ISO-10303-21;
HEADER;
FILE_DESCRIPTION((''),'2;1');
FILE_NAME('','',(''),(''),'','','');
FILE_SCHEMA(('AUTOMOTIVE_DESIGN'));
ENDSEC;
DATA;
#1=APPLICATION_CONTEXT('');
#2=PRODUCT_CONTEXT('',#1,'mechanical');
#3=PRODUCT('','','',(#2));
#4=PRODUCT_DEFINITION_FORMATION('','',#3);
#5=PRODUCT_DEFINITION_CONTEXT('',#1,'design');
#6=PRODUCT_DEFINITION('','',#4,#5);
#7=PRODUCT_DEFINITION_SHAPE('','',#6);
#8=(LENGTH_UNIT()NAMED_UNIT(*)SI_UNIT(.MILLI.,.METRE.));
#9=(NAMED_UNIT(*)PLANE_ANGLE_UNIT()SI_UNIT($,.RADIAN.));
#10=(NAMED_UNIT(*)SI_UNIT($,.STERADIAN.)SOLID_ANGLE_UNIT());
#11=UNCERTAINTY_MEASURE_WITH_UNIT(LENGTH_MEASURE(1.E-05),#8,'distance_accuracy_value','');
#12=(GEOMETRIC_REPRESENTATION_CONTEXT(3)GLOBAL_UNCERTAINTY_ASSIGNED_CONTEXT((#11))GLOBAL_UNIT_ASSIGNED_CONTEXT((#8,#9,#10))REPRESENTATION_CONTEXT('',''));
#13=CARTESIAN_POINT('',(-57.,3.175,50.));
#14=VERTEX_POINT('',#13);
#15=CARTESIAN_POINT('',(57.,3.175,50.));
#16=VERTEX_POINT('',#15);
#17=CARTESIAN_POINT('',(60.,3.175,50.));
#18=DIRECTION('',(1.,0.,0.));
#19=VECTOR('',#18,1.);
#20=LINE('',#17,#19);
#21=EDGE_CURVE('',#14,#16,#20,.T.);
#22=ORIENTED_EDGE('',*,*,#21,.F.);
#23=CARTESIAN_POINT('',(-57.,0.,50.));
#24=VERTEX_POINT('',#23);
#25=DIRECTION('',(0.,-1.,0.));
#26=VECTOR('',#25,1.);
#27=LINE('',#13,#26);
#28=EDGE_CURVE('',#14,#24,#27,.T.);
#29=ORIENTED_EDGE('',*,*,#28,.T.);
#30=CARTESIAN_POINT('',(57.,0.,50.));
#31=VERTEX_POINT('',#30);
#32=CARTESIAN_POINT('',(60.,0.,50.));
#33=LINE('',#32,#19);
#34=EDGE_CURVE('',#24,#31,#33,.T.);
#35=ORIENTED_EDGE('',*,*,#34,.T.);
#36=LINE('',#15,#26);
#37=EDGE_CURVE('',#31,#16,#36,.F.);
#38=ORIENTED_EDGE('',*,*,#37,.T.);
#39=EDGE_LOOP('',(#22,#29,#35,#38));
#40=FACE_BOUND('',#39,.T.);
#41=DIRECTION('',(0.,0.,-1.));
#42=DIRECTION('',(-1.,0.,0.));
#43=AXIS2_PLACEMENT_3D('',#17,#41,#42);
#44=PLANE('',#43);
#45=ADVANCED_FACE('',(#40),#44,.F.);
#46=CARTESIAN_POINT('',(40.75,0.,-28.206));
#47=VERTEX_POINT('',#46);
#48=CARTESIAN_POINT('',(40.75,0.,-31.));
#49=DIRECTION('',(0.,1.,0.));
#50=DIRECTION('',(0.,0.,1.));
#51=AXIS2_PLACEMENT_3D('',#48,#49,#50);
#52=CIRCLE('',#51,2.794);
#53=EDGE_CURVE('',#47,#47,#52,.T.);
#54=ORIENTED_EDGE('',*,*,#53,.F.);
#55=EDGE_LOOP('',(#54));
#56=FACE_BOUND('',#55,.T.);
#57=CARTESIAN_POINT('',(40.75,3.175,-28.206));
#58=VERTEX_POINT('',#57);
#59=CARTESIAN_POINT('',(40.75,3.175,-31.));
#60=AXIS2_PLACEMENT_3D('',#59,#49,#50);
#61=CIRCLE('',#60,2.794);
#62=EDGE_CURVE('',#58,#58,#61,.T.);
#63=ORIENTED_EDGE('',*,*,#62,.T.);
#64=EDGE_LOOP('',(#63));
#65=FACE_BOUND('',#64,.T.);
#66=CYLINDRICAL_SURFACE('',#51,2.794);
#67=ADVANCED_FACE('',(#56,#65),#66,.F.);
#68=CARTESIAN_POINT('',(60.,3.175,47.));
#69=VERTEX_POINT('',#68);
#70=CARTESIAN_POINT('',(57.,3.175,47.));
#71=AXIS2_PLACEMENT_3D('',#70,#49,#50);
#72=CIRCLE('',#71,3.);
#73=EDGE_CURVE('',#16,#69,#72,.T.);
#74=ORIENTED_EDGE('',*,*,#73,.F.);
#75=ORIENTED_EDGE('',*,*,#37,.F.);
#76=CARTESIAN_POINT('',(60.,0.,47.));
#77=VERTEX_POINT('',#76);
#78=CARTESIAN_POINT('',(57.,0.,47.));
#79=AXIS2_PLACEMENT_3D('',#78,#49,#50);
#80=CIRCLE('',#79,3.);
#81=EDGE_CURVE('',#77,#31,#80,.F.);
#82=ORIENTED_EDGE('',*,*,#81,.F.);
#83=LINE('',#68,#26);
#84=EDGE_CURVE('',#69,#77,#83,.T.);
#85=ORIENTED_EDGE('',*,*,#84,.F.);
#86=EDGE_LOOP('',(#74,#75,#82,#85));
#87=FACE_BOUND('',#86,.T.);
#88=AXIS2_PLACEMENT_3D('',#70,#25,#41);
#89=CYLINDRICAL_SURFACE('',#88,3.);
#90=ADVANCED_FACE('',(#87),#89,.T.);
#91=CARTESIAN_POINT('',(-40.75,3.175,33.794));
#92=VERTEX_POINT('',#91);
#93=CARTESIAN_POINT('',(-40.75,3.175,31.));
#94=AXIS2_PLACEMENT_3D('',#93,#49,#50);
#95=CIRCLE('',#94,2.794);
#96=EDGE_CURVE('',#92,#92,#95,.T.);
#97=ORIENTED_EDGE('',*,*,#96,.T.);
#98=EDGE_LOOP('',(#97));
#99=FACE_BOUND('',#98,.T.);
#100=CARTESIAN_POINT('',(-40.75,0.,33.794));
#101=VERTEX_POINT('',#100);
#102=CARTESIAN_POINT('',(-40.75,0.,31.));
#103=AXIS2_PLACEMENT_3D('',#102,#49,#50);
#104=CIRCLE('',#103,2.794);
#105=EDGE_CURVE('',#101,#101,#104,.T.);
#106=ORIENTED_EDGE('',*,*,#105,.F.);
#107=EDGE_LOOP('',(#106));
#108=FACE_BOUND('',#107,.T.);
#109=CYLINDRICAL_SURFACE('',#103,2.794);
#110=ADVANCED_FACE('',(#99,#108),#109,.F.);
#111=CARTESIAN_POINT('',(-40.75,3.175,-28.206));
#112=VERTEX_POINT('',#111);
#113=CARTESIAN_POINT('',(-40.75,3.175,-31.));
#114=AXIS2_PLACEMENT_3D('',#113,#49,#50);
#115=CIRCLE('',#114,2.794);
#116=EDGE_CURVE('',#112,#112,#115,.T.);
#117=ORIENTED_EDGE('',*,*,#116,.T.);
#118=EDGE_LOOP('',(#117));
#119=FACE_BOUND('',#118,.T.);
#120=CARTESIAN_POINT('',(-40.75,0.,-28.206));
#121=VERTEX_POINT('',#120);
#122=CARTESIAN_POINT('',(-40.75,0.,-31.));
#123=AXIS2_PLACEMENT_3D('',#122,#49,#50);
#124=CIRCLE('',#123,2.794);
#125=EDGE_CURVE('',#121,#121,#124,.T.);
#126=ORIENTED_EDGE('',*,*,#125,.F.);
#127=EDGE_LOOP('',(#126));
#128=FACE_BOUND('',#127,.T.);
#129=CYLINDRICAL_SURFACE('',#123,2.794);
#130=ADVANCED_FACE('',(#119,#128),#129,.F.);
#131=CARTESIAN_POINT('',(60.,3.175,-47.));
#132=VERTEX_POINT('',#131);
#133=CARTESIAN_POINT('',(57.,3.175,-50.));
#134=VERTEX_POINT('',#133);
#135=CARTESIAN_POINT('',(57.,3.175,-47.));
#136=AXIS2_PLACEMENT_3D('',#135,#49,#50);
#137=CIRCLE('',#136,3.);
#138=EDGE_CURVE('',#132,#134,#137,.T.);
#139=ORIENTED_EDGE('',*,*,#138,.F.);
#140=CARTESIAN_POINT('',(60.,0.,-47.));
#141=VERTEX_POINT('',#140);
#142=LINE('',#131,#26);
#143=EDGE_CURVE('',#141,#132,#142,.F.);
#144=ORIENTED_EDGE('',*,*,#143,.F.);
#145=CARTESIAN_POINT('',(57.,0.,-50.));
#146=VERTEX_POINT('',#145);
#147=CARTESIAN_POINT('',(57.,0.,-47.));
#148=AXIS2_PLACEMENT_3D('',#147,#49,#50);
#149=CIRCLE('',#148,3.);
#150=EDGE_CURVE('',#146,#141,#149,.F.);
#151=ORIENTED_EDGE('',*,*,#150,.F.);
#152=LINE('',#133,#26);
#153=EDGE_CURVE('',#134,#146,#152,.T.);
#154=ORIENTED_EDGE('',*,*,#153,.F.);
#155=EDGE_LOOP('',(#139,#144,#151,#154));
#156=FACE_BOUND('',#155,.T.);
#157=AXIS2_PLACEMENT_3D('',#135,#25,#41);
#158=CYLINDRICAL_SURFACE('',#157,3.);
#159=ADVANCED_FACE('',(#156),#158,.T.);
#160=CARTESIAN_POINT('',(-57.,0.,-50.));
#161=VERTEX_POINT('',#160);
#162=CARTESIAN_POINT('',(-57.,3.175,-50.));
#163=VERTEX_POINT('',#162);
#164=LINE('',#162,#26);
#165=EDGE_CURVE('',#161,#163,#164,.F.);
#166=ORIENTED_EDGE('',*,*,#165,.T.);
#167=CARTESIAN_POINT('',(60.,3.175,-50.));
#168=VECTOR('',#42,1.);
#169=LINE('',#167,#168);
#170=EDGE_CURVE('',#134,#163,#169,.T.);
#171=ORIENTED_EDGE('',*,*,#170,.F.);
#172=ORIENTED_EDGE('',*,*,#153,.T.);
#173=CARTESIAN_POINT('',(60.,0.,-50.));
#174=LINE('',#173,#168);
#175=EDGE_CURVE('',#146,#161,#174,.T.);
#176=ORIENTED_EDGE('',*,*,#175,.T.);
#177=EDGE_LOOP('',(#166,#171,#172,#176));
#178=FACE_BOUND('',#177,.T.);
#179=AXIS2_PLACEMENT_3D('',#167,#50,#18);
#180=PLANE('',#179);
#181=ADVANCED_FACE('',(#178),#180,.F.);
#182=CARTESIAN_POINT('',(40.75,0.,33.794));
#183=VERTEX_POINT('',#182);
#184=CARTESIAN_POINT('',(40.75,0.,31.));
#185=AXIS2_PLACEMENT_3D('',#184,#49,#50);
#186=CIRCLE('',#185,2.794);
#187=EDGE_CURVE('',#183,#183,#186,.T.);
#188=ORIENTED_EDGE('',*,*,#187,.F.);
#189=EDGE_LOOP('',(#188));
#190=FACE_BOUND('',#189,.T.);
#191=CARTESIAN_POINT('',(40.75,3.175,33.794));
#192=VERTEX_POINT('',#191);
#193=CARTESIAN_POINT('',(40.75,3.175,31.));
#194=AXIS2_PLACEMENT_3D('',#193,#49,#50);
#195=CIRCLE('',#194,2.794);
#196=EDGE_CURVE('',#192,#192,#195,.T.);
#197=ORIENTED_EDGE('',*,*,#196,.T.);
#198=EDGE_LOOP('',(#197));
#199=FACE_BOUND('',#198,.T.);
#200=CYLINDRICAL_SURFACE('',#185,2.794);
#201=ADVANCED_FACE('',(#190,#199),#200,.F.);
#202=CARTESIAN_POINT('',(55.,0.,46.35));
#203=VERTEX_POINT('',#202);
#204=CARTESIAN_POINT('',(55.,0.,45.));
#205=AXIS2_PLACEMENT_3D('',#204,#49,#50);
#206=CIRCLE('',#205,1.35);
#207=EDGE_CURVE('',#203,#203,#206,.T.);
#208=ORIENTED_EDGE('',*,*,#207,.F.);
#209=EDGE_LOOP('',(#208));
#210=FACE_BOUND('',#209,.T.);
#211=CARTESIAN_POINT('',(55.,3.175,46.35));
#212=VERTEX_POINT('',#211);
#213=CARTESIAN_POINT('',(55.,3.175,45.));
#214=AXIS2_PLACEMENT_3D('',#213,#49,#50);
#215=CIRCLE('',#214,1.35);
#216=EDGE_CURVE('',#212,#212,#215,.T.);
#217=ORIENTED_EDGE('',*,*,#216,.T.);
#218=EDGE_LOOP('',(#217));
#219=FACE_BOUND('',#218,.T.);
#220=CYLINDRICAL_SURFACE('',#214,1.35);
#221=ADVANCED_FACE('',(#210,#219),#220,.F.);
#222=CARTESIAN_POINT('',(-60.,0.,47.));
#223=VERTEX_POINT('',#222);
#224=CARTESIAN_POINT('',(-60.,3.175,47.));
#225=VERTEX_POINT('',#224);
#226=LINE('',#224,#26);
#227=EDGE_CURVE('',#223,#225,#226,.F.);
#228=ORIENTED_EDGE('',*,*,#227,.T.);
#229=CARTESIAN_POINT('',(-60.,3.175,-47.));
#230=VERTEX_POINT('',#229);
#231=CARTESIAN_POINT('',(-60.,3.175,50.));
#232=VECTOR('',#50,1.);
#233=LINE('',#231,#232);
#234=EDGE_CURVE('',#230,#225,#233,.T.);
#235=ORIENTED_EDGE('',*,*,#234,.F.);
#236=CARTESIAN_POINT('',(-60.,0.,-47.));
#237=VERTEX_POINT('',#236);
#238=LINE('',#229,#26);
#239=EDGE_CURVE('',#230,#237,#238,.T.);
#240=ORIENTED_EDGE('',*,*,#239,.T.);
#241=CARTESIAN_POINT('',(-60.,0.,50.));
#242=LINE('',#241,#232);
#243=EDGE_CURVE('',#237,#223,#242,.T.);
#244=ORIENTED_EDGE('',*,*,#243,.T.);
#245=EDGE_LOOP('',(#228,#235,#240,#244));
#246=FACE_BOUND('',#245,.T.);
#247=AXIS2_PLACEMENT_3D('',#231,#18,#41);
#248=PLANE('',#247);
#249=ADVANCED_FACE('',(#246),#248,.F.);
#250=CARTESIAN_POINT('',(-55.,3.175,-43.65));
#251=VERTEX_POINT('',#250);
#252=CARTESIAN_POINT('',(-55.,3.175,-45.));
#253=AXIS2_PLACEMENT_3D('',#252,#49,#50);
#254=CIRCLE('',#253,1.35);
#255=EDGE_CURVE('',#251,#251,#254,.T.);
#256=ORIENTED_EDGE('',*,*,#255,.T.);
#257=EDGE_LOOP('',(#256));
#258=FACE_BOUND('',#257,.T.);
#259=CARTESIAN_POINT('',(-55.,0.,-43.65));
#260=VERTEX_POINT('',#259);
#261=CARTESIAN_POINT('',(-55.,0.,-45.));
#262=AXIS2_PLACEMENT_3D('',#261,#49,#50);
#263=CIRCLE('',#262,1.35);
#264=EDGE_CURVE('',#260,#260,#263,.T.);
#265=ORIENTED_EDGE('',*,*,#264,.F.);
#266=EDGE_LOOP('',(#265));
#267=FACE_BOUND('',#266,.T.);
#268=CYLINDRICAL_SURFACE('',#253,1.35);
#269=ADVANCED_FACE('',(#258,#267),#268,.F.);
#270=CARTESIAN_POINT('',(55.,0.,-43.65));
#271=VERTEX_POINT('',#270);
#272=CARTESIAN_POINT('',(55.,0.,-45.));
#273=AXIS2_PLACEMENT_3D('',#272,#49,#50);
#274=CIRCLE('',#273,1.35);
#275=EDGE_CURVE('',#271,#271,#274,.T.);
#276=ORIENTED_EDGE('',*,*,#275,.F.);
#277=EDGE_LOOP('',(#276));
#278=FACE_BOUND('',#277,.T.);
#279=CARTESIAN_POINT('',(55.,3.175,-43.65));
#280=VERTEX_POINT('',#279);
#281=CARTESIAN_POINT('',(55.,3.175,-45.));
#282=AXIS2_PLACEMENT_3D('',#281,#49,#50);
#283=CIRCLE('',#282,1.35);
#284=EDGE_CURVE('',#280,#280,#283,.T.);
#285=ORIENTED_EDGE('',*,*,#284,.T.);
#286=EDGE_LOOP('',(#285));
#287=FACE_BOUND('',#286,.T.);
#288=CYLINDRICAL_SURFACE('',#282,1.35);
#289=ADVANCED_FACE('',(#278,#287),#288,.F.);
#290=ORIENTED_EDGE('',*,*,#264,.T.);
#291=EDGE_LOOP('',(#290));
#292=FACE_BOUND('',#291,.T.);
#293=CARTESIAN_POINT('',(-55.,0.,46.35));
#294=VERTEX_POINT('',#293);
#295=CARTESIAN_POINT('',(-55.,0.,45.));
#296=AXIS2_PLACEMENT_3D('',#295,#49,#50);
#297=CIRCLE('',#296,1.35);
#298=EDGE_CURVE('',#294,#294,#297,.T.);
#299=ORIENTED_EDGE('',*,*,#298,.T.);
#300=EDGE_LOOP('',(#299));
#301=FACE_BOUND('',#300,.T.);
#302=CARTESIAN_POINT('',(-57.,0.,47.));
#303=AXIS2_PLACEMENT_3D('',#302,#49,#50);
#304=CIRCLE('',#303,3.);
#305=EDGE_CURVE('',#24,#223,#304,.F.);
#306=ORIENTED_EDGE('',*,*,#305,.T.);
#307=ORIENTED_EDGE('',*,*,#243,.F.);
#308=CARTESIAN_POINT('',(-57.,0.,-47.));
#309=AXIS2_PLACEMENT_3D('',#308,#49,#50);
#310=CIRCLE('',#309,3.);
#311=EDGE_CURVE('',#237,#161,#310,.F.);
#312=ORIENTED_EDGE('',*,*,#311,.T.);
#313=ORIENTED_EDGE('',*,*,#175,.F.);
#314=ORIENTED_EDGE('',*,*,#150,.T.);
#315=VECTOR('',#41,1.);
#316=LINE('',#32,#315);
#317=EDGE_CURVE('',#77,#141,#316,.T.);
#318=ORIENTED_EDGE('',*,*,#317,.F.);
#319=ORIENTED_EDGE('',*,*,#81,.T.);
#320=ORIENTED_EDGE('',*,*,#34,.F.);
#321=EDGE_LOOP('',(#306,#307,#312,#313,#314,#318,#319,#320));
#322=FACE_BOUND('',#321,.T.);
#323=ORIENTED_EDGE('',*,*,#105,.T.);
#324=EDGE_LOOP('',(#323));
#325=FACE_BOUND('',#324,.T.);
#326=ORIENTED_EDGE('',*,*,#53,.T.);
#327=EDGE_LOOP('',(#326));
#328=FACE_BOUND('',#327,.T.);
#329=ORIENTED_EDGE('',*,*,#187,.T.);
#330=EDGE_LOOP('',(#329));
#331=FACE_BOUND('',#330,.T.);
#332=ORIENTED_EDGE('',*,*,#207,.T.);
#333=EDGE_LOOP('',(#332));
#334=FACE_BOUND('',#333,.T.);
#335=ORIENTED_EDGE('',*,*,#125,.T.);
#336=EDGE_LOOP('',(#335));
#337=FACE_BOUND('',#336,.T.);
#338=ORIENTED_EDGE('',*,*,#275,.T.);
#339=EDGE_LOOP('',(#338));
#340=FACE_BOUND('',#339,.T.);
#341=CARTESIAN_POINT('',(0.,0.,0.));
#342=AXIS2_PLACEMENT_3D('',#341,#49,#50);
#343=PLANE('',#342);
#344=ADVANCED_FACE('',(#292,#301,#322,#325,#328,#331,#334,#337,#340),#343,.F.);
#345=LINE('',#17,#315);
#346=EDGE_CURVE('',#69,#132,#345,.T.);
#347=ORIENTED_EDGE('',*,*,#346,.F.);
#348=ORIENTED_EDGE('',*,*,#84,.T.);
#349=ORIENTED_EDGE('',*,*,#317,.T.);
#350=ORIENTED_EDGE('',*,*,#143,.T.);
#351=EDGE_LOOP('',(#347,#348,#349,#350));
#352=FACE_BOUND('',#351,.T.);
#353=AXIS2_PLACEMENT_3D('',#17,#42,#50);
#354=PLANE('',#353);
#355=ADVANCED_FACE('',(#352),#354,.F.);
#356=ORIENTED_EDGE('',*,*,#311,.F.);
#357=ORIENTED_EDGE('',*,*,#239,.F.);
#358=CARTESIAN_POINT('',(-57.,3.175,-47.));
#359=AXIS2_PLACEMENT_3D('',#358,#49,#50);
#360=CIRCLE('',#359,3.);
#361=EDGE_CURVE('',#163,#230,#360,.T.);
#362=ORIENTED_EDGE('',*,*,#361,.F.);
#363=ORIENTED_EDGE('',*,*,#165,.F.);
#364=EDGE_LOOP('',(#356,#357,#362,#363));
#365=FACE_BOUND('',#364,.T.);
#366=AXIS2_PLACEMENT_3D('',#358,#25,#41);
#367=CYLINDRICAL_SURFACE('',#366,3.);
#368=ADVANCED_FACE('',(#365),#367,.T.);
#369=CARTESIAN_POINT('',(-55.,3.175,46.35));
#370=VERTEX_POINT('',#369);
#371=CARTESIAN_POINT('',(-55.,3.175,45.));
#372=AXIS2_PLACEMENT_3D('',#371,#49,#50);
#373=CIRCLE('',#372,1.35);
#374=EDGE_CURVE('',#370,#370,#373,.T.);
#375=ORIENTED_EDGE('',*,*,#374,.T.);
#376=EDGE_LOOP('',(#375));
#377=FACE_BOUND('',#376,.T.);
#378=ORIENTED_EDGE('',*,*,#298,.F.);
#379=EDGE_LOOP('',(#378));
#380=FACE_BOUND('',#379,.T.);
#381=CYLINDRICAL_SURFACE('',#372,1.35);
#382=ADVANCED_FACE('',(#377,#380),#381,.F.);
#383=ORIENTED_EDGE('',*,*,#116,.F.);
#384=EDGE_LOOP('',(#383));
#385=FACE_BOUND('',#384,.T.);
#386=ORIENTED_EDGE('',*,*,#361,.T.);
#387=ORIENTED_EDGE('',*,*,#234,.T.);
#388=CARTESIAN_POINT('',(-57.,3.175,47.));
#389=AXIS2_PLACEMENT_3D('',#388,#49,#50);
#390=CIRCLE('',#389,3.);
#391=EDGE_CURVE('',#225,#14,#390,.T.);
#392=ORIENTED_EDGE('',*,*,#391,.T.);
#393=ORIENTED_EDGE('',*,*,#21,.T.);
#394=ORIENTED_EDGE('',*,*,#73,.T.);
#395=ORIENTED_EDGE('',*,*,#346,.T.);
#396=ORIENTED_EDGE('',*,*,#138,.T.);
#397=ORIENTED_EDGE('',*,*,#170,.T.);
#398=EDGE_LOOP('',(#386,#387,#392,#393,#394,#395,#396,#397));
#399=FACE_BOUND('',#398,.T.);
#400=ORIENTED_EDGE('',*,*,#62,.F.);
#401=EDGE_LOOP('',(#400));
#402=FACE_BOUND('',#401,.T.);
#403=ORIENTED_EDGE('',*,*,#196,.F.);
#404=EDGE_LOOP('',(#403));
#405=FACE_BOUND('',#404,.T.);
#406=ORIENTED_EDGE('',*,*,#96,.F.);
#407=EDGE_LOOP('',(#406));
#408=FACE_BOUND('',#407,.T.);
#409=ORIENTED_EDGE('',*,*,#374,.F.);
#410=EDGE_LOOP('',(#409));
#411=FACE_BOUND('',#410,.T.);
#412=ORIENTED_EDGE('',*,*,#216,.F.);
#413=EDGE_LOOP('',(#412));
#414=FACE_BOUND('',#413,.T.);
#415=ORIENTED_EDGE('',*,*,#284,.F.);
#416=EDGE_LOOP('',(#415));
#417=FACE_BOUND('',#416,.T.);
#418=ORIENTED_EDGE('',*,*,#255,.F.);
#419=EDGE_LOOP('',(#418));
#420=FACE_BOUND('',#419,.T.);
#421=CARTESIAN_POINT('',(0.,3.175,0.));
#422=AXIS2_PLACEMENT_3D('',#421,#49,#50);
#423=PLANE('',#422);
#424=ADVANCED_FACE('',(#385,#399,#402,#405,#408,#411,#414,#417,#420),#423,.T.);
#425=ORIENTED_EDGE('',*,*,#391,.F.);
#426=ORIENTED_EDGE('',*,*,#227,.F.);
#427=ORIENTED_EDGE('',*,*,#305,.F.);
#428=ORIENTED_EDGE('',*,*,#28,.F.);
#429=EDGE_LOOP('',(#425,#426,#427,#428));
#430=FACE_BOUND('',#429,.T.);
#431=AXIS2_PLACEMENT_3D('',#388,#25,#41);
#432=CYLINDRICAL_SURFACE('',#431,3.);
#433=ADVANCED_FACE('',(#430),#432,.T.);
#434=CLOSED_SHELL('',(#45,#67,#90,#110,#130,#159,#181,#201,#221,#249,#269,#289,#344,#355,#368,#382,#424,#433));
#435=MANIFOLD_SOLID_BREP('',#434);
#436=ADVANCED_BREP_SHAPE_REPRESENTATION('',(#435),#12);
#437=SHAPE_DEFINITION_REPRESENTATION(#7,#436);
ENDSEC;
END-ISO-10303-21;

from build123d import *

# Parameters (mm, degrees)
SKETCH1_W              = 120
SKETCH1_H              = 100
BOSS_EXTRUDE1_DEPTH    = 3.175
SKETCH2_R              = 2.794
CUT_EXTRUDE1_DEPTH     = 79.167004708
M2_5_CLEARANCE_HOLE1_D = 2.7
FILLET1_R              = 3


with BuildPart() as part:
    # Sketch1 → Boss-Extrude1 (new body)
    with BuildSketch(Plane(origin=(0, 0, 0), x_dir=(1, 0, 0), z_dir=(0, 1, 0))):
        Rectangle(SKETCH1_W, SKETCH1_H)
    extrude(amount=BOSS_EXTRUDE1_DEPTH)

    # Sketch2 → Cut-Extrude1 (cut, through all)
    with BuildSketch(Plane(origin=(0, 3.175, 0), x_dir=(1, 0, 0), z_dir=(0, 1, 0))):
        with Locations(Location((-40.75, 31, 0), (0, 0, 270))):
            Circle(SKETCH2_R)
        with Locations(Location((-40.75, -31, 0), (0, 0, 270))):
            Circle(SKETCH2_R)
        with Locations(Location((40.75, -31, 0), (0, 0, 270))):
            Circle(SKETCH2_R)
        with Locations(Location((40.75, 31, 0), (0, 0, 270))):
            Circle(SKETCH2_R)
    extrude(amount=-CUT_EXTRUDE1_DEPTH, mode=Mode.SUBTRACT)

    # M2.5 Clearance Hole1 (through all)
    with Locations(Plane(origin=(0, 3.175, 0), x_dir=(1, 0, 0), z_dir=(0, 1, 0))):
        with Locations((-55, 45), (55, 45), (-55, -45), (55, -45)):
            Hole(M2_5_CLEARANCE_HOLE1_D / 2)

    # Fillet1
    fillet1_edges = [part.edges().sort_by_distance(p)[0] for p in [
        (-60, 1.5875, -50),
        (60, 1.5875, -50),
        (60, 1.5875, 50),
        (-60, 1.5875, 50),
    ]]
    fillet(fillet1_edges, radius=FILLET1_R)


solid = part.part
